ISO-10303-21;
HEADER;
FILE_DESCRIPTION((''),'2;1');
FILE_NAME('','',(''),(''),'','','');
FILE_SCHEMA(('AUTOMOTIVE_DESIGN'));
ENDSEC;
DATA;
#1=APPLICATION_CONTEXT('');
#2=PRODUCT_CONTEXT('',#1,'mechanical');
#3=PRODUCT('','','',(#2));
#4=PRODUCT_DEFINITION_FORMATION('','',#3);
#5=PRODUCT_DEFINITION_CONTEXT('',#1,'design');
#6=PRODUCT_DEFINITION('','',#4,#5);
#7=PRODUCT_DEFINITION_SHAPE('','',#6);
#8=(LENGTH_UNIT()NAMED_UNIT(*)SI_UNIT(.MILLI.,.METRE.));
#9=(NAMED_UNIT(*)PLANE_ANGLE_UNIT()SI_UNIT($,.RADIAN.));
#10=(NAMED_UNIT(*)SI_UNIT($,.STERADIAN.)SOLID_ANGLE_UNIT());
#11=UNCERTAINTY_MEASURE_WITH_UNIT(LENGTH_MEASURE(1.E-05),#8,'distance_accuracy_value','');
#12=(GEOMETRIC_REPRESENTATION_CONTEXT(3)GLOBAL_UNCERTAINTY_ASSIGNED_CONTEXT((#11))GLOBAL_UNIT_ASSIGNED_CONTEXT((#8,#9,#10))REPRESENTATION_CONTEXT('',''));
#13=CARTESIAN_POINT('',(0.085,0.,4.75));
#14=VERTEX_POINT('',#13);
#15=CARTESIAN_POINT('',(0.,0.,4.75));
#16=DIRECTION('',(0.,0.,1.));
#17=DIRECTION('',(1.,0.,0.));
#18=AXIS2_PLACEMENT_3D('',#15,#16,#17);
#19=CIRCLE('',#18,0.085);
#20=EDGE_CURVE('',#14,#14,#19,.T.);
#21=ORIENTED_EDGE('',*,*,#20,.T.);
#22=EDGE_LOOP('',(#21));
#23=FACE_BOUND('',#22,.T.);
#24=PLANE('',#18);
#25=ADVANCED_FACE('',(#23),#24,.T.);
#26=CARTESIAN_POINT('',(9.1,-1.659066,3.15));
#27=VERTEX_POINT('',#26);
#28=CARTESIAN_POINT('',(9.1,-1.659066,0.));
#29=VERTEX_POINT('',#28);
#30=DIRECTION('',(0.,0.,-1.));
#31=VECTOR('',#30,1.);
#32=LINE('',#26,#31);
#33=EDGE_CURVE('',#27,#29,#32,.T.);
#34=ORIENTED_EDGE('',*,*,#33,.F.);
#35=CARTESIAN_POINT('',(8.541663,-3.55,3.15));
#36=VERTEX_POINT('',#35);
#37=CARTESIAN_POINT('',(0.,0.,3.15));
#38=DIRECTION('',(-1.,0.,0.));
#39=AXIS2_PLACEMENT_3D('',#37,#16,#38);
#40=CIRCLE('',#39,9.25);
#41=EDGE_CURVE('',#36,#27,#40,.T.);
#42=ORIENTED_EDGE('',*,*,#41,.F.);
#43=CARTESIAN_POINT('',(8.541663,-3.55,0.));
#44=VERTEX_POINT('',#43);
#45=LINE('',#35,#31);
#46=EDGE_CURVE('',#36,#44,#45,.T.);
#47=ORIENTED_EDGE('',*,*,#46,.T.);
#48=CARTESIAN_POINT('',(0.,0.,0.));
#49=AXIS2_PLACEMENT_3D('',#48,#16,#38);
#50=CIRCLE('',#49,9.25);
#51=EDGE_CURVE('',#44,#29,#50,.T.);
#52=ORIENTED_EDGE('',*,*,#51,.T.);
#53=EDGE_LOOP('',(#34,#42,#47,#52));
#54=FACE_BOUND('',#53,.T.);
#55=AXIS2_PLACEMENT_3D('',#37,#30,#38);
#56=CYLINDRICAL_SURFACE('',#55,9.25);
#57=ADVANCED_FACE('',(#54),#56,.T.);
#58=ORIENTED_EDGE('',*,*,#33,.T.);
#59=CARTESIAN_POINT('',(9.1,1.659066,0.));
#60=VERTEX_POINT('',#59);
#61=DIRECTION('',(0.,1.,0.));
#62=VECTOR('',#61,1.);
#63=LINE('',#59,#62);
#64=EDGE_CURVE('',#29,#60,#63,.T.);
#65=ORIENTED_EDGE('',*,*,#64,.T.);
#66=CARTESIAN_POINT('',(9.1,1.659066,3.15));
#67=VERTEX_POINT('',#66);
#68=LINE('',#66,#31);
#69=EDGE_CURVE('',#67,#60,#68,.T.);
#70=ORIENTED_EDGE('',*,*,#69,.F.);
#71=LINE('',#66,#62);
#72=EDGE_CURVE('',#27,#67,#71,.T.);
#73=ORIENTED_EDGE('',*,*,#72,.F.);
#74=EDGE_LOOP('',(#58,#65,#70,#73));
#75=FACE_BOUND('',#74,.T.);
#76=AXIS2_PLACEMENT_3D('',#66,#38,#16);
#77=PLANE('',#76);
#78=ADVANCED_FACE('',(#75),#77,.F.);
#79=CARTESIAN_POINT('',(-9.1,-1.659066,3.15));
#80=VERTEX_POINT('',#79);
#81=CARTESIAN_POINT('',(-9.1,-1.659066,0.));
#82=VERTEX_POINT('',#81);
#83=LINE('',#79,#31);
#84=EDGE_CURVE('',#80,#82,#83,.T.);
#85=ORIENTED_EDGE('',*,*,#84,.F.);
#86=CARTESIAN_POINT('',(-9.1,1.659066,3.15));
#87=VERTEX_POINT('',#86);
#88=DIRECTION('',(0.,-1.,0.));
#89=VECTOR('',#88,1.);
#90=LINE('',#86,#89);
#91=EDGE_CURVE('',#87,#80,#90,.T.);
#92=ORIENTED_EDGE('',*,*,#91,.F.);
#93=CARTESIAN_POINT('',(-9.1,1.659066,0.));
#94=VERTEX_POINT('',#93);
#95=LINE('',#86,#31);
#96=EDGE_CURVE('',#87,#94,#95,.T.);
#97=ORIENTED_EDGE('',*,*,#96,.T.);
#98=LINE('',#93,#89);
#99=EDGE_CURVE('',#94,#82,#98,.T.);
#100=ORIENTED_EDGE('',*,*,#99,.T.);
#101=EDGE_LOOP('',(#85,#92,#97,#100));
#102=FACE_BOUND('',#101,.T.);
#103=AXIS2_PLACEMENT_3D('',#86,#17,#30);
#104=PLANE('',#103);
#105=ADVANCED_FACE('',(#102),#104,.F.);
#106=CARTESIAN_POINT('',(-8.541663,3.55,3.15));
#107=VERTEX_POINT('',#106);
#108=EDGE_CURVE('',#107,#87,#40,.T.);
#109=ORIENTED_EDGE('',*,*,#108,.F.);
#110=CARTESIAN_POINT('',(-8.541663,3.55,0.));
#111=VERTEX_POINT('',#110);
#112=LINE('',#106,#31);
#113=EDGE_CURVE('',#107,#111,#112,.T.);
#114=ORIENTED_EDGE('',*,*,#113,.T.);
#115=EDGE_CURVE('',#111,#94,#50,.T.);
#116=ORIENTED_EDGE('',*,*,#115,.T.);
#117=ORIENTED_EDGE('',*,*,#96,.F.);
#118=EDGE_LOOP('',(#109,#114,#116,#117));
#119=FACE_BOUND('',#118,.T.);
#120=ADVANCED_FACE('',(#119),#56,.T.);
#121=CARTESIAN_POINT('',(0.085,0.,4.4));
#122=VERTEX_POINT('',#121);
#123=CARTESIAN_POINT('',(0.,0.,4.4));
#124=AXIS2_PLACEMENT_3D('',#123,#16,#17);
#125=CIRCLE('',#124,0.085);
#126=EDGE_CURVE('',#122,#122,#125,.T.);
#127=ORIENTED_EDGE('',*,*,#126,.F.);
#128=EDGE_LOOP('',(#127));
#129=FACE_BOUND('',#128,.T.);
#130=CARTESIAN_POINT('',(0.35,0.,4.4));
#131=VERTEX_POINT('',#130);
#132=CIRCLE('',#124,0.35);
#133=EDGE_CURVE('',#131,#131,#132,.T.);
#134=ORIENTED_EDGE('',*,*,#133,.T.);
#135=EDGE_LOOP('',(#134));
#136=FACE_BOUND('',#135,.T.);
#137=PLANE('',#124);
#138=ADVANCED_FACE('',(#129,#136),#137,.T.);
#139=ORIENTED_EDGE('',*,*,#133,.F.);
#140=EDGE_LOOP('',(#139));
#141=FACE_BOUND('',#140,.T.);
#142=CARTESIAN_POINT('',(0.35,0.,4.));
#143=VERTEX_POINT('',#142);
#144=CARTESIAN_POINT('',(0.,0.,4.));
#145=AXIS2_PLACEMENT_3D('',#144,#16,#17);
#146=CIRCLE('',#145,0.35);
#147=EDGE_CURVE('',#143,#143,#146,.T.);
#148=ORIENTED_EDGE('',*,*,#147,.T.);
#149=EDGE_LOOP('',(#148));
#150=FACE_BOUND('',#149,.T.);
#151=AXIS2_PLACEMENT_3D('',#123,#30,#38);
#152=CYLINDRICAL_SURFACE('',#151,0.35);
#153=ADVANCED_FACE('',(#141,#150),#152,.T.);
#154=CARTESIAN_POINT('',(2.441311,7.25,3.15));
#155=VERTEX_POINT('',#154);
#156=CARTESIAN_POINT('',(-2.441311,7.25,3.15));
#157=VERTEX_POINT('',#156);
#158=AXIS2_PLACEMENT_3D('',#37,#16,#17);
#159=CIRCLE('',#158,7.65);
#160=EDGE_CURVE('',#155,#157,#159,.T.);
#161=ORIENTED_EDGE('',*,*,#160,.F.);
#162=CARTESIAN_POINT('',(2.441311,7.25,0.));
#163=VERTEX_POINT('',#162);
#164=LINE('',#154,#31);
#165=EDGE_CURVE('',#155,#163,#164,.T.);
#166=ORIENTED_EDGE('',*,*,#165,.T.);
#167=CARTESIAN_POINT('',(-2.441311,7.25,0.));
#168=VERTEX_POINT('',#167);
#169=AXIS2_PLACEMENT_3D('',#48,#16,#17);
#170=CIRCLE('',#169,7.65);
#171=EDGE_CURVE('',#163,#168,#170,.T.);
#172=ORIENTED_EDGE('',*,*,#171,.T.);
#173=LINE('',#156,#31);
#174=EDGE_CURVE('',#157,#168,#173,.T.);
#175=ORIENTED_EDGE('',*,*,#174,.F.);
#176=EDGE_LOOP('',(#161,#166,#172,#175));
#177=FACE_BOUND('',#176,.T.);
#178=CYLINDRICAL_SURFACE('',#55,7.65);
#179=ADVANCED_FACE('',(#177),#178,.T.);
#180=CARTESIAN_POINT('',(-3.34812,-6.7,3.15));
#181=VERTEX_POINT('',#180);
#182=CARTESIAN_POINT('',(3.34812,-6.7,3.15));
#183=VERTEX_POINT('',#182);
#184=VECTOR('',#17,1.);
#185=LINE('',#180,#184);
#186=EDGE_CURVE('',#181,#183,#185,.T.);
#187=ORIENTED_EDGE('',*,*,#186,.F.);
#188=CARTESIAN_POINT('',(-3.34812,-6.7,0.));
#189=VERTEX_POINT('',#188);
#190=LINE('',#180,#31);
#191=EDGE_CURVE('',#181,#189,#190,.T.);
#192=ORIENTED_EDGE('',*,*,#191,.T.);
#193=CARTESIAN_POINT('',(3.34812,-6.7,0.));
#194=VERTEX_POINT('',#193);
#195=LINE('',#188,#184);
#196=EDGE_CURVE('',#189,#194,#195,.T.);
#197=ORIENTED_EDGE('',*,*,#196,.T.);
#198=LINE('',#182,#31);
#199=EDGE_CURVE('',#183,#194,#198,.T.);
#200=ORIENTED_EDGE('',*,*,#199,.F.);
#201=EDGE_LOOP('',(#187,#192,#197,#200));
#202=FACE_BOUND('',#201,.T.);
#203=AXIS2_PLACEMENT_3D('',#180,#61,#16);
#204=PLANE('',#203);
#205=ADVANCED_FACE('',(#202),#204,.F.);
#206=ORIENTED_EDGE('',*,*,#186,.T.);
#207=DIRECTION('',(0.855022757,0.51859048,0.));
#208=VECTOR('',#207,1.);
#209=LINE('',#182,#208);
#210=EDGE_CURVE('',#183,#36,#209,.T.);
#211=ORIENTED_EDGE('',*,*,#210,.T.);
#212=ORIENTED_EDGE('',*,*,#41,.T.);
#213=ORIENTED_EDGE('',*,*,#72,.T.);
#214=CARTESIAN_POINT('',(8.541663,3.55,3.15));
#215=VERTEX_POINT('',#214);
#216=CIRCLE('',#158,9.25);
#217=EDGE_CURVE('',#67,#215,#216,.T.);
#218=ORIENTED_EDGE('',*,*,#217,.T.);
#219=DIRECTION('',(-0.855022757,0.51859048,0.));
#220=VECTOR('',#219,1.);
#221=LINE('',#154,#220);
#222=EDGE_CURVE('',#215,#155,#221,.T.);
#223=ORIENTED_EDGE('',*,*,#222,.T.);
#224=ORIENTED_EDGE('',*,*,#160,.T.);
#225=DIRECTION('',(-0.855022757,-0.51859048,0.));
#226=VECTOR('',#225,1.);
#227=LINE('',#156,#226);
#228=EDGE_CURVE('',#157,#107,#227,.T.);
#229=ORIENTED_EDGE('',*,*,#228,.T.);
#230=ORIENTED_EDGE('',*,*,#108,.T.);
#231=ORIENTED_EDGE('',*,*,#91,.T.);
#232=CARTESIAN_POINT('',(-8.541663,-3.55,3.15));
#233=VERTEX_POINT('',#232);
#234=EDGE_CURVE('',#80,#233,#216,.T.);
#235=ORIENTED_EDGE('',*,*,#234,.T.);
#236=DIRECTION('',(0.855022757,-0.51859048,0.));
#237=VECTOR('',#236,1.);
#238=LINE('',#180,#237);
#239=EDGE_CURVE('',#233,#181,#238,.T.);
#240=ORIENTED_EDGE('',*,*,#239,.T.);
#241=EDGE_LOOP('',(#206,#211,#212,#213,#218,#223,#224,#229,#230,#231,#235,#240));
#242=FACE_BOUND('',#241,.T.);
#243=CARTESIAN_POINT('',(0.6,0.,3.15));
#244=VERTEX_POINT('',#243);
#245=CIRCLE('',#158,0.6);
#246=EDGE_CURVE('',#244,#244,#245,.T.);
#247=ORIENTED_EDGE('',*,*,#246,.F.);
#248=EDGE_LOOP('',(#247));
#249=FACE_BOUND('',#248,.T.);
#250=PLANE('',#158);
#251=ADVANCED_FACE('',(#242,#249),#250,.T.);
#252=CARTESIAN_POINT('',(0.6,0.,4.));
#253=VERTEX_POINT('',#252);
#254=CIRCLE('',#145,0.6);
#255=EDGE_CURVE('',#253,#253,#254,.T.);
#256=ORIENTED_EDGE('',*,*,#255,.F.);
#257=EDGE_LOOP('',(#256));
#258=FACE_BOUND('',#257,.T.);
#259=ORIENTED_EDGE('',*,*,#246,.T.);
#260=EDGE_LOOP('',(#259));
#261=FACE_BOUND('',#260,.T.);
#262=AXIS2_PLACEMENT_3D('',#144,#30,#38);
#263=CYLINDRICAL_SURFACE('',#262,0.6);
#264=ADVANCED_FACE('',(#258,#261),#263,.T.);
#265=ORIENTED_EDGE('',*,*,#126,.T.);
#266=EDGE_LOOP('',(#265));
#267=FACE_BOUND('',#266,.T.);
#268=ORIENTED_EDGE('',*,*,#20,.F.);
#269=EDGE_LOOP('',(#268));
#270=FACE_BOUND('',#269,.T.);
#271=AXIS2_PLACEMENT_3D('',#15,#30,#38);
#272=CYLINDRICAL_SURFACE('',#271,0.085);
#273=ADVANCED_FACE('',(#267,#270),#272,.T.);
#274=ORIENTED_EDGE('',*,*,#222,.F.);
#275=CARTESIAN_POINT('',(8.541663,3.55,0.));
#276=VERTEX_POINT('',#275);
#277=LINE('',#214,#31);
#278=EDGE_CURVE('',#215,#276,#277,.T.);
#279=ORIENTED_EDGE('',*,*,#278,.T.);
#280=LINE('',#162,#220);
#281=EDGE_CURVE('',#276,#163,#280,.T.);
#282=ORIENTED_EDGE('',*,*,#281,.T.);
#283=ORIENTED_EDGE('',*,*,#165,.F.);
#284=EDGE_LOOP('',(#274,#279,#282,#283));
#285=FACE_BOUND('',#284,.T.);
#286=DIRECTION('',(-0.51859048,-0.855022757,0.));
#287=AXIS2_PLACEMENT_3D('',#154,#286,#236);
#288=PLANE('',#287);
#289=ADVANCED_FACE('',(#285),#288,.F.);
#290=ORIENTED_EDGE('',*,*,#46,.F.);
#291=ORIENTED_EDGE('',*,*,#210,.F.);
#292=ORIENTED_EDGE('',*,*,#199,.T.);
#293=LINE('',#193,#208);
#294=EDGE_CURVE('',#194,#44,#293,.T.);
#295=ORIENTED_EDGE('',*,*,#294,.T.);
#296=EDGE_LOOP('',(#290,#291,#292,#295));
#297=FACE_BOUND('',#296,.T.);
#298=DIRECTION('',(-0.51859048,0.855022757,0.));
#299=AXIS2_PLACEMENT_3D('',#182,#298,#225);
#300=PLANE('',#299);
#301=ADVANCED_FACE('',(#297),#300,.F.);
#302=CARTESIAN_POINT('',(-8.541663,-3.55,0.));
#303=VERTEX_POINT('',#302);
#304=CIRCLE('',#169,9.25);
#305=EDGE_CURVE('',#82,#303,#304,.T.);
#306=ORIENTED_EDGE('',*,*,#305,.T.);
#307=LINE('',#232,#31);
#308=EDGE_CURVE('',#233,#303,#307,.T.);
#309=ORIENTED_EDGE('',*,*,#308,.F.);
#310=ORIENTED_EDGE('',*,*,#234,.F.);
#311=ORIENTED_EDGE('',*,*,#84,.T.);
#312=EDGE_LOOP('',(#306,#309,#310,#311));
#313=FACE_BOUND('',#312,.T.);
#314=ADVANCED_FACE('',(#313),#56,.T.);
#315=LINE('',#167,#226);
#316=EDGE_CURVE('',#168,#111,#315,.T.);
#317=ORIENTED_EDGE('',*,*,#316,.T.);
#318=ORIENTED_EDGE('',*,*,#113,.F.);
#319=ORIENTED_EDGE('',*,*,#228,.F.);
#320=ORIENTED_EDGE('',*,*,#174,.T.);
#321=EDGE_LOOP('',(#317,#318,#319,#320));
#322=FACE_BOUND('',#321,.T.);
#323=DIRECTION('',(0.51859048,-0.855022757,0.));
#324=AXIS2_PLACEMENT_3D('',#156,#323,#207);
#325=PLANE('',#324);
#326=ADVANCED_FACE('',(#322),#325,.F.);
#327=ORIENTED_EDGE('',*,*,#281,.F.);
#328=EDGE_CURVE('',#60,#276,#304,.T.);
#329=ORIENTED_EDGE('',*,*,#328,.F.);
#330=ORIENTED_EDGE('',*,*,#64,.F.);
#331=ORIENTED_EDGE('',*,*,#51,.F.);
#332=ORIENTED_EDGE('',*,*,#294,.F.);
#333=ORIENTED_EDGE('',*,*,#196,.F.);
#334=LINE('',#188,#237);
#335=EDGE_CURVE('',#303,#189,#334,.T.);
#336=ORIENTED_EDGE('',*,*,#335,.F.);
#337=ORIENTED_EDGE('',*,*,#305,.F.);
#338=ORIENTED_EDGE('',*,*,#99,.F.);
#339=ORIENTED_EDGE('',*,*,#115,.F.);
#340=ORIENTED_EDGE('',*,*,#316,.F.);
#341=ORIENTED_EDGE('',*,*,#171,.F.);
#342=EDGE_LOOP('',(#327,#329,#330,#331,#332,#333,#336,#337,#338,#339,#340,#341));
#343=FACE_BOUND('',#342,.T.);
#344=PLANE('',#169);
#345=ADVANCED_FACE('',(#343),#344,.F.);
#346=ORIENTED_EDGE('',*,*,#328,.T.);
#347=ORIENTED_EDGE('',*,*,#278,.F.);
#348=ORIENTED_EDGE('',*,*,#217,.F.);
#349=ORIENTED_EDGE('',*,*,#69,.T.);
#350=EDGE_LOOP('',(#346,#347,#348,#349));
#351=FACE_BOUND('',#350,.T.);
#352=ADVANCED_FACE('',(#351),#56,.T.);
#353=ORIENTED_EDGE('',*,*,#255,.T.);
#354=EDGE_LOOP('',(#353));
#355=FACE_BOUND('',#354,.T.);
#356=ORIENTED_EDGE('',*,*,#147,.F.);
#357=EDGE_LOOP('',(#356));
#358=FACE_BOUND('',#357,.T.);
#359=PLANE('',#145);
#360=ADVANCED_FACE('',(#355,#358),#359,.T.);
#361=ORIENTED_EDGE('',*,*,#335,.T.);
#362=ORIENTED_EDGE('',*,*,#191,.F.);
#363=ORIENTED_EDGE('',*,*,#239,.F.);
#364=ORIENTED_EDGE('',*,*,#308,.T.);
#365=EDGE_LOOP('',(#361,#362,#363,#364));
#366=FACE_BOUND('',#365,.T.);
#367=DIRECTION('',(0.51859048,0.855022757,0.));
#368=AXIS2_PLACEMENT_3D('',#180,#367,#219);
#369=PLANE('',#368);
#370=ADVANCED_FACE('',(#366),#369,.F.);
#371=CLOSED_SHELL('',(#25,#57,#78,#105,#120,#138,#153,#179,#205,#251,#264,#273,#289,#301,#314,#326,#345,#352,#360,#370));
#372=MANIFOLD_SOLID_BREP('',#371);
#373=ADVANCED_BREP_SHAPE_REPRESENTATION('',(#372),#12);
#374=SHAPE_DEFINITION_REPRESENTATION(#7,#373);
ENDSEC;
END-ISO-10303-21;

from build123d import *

# Parameters (mm, degrees)
BOSS_EXTRU_1_DEPTH = 3.15
ESQUISSE4_R        = 0.6
BOSS_EXTRU_2_DEPTH = 0.85
ESQUISSE5_R        = 0.35
BOSS_EXTRU_3_DEPTH = 0.4
ESQUISSE6_R        = 0.085
BOSS_EXTRU_4_DEPTH = 0.35


with BuildPart() as part:
    # Esquisse2 → Boss.-Extru.1 (new body)
    with BuildSketch(Plane.XY):
        with BuildLine():
            Line((9.1, 1.659066002), (9.1, -1.659066002))
            ThreePointArc((9.1, -1.659066002), (8.871356868, -2.619451721), (8.541662602, -3.55))
            Line((8.541662602, -3.55), (3.348120127, -6.7))
            Line((3.348120127, -6.7), (-3.348120127, -6.7))
            Line((-3.348120127, -6.7), (-8.541662602, -3.55))
            ThreePointArc((-8.541662602, -3.55), (-8.871356868, -2.619451721), (-9.1, -1.659066002))
            Line((-9.1, -1.659066002), (-9.1, 1.659066002))
            ThreePointArc((-9.1, 1.659066002), (-8.871356868, 2.619451721), (-8.541662602, 3.55))
            Line((-8.541662602, 3.55), (-2.441311123, 7.25))
            ThreePointArc((-2.441311123, 7.25), (0, 7.65), (2.441311123, 7.25))
            Line((2.441311123, 7.25), (8.541662602, 3.55))
            ThreePointArc((8.541662602, 3.55), (8.871356868, 2.619451721), (9.1, 1.659066002))
        make_face()
    extrude(amount=BOSS_EXTRU_1_DEPTH)

    # Esquisse4 → Boss.-Extru.2 (add)
    with BuildSketch(Plane.XY.offset(3.15)):
        Circle(ESQUISSE4_R)
    extrude(amount=BOSS_EXTRU_2_DEPTH)

    # Esquisse5 → Boss.-Extru.3 (add)
    with BuildSketch(Plane.XY.offset(4)):
        Circle(ESQUISSE5_R)
    extrude(amount=BOSS_EXTRU_3_DEPTH)

    # Esquisse6 → Boss.-Extru.4 (add)
    with BuildSketch(Plane.XY.offset(4.4)):
        Circle(ESQUISSE6_R)
    extrude(amount=BOSS_EXTRU_4_DEPTH)


solid = part.part
